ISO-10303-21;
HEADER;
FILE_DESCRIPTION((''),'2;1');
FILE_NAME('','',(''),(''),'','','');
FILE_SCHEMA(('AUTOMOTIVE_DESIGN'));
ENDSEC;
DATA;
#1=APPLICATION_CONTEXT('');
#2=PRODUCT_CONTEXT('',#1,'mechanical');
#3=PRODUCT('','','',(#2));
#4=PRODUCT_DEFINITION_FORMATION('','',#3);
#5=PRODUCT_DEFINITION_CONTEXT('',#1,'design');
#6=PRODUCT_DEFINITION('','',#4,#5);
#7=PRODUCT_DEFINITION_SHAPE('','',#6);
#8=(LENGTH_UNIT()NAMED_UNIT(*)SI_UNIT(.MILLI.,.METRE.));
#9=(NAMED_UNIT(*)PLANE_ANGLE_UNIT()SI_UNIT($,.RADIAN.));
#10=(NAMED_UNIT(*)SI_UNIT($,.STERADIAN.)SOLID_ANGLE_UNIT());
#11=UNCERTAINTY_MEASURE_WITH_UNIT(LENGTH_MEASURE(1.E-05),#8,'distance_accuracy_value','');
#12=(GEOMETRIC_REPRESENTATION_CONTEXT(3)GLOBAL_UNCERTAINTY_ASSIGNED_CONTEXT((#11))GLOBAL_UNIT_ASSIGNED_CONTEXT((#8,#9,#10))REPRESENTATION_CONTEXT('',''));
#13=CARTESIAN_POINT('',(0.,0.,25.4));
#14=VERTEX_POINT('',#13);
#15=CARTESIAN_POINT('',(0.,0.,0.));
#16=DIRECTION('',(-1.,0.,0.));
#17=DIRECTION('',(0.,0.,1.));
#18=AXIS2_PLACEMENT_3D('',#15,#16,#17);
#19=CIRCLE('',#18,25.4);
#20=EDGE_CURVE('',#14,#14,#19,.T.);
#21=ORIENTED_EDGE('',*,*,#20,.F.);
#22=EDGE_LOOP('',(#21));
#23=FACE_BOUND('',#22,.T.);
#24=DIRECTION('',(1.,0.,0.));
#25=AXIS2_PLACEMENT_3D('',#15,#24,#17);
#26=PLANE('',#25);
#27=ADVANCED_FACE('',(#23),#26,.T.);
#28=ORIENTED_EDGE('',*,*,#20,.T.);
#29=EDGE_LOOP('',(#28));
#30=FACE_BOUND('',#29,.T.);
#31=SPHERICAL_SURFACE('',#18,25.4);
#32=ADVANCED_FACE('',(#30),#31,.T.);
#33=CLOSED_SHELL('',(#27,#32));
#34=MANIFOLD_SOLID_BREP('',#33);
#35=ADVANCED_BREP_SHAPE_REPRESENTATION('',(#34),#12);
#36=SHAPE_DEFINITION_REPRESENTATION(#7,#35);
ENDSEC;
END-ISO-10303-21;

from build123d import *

# Parameters (mm, degrees)
REVOLVE1_ANGLE = 180


with BuildPart() as part:
    # Sketch2 → Revolve1 (revolve)
    with BuildSketch(Plane(origin=(0, 0, 0), x_dir=(0, 0, -1), z_dir=(1, 0, 0))):
        with BuildLine():
            Line((-25.4, 0), (25.4, 0))
            ThreePointArc((25.4, 0), (0, -25.4), (-25.4, 0))
        make_face()
    revolve(axis=Axis((0, 0, 25.4), (0, 0, -1)), revolution_arc=REVOLVE1_ANGLE)


solid = part.part
